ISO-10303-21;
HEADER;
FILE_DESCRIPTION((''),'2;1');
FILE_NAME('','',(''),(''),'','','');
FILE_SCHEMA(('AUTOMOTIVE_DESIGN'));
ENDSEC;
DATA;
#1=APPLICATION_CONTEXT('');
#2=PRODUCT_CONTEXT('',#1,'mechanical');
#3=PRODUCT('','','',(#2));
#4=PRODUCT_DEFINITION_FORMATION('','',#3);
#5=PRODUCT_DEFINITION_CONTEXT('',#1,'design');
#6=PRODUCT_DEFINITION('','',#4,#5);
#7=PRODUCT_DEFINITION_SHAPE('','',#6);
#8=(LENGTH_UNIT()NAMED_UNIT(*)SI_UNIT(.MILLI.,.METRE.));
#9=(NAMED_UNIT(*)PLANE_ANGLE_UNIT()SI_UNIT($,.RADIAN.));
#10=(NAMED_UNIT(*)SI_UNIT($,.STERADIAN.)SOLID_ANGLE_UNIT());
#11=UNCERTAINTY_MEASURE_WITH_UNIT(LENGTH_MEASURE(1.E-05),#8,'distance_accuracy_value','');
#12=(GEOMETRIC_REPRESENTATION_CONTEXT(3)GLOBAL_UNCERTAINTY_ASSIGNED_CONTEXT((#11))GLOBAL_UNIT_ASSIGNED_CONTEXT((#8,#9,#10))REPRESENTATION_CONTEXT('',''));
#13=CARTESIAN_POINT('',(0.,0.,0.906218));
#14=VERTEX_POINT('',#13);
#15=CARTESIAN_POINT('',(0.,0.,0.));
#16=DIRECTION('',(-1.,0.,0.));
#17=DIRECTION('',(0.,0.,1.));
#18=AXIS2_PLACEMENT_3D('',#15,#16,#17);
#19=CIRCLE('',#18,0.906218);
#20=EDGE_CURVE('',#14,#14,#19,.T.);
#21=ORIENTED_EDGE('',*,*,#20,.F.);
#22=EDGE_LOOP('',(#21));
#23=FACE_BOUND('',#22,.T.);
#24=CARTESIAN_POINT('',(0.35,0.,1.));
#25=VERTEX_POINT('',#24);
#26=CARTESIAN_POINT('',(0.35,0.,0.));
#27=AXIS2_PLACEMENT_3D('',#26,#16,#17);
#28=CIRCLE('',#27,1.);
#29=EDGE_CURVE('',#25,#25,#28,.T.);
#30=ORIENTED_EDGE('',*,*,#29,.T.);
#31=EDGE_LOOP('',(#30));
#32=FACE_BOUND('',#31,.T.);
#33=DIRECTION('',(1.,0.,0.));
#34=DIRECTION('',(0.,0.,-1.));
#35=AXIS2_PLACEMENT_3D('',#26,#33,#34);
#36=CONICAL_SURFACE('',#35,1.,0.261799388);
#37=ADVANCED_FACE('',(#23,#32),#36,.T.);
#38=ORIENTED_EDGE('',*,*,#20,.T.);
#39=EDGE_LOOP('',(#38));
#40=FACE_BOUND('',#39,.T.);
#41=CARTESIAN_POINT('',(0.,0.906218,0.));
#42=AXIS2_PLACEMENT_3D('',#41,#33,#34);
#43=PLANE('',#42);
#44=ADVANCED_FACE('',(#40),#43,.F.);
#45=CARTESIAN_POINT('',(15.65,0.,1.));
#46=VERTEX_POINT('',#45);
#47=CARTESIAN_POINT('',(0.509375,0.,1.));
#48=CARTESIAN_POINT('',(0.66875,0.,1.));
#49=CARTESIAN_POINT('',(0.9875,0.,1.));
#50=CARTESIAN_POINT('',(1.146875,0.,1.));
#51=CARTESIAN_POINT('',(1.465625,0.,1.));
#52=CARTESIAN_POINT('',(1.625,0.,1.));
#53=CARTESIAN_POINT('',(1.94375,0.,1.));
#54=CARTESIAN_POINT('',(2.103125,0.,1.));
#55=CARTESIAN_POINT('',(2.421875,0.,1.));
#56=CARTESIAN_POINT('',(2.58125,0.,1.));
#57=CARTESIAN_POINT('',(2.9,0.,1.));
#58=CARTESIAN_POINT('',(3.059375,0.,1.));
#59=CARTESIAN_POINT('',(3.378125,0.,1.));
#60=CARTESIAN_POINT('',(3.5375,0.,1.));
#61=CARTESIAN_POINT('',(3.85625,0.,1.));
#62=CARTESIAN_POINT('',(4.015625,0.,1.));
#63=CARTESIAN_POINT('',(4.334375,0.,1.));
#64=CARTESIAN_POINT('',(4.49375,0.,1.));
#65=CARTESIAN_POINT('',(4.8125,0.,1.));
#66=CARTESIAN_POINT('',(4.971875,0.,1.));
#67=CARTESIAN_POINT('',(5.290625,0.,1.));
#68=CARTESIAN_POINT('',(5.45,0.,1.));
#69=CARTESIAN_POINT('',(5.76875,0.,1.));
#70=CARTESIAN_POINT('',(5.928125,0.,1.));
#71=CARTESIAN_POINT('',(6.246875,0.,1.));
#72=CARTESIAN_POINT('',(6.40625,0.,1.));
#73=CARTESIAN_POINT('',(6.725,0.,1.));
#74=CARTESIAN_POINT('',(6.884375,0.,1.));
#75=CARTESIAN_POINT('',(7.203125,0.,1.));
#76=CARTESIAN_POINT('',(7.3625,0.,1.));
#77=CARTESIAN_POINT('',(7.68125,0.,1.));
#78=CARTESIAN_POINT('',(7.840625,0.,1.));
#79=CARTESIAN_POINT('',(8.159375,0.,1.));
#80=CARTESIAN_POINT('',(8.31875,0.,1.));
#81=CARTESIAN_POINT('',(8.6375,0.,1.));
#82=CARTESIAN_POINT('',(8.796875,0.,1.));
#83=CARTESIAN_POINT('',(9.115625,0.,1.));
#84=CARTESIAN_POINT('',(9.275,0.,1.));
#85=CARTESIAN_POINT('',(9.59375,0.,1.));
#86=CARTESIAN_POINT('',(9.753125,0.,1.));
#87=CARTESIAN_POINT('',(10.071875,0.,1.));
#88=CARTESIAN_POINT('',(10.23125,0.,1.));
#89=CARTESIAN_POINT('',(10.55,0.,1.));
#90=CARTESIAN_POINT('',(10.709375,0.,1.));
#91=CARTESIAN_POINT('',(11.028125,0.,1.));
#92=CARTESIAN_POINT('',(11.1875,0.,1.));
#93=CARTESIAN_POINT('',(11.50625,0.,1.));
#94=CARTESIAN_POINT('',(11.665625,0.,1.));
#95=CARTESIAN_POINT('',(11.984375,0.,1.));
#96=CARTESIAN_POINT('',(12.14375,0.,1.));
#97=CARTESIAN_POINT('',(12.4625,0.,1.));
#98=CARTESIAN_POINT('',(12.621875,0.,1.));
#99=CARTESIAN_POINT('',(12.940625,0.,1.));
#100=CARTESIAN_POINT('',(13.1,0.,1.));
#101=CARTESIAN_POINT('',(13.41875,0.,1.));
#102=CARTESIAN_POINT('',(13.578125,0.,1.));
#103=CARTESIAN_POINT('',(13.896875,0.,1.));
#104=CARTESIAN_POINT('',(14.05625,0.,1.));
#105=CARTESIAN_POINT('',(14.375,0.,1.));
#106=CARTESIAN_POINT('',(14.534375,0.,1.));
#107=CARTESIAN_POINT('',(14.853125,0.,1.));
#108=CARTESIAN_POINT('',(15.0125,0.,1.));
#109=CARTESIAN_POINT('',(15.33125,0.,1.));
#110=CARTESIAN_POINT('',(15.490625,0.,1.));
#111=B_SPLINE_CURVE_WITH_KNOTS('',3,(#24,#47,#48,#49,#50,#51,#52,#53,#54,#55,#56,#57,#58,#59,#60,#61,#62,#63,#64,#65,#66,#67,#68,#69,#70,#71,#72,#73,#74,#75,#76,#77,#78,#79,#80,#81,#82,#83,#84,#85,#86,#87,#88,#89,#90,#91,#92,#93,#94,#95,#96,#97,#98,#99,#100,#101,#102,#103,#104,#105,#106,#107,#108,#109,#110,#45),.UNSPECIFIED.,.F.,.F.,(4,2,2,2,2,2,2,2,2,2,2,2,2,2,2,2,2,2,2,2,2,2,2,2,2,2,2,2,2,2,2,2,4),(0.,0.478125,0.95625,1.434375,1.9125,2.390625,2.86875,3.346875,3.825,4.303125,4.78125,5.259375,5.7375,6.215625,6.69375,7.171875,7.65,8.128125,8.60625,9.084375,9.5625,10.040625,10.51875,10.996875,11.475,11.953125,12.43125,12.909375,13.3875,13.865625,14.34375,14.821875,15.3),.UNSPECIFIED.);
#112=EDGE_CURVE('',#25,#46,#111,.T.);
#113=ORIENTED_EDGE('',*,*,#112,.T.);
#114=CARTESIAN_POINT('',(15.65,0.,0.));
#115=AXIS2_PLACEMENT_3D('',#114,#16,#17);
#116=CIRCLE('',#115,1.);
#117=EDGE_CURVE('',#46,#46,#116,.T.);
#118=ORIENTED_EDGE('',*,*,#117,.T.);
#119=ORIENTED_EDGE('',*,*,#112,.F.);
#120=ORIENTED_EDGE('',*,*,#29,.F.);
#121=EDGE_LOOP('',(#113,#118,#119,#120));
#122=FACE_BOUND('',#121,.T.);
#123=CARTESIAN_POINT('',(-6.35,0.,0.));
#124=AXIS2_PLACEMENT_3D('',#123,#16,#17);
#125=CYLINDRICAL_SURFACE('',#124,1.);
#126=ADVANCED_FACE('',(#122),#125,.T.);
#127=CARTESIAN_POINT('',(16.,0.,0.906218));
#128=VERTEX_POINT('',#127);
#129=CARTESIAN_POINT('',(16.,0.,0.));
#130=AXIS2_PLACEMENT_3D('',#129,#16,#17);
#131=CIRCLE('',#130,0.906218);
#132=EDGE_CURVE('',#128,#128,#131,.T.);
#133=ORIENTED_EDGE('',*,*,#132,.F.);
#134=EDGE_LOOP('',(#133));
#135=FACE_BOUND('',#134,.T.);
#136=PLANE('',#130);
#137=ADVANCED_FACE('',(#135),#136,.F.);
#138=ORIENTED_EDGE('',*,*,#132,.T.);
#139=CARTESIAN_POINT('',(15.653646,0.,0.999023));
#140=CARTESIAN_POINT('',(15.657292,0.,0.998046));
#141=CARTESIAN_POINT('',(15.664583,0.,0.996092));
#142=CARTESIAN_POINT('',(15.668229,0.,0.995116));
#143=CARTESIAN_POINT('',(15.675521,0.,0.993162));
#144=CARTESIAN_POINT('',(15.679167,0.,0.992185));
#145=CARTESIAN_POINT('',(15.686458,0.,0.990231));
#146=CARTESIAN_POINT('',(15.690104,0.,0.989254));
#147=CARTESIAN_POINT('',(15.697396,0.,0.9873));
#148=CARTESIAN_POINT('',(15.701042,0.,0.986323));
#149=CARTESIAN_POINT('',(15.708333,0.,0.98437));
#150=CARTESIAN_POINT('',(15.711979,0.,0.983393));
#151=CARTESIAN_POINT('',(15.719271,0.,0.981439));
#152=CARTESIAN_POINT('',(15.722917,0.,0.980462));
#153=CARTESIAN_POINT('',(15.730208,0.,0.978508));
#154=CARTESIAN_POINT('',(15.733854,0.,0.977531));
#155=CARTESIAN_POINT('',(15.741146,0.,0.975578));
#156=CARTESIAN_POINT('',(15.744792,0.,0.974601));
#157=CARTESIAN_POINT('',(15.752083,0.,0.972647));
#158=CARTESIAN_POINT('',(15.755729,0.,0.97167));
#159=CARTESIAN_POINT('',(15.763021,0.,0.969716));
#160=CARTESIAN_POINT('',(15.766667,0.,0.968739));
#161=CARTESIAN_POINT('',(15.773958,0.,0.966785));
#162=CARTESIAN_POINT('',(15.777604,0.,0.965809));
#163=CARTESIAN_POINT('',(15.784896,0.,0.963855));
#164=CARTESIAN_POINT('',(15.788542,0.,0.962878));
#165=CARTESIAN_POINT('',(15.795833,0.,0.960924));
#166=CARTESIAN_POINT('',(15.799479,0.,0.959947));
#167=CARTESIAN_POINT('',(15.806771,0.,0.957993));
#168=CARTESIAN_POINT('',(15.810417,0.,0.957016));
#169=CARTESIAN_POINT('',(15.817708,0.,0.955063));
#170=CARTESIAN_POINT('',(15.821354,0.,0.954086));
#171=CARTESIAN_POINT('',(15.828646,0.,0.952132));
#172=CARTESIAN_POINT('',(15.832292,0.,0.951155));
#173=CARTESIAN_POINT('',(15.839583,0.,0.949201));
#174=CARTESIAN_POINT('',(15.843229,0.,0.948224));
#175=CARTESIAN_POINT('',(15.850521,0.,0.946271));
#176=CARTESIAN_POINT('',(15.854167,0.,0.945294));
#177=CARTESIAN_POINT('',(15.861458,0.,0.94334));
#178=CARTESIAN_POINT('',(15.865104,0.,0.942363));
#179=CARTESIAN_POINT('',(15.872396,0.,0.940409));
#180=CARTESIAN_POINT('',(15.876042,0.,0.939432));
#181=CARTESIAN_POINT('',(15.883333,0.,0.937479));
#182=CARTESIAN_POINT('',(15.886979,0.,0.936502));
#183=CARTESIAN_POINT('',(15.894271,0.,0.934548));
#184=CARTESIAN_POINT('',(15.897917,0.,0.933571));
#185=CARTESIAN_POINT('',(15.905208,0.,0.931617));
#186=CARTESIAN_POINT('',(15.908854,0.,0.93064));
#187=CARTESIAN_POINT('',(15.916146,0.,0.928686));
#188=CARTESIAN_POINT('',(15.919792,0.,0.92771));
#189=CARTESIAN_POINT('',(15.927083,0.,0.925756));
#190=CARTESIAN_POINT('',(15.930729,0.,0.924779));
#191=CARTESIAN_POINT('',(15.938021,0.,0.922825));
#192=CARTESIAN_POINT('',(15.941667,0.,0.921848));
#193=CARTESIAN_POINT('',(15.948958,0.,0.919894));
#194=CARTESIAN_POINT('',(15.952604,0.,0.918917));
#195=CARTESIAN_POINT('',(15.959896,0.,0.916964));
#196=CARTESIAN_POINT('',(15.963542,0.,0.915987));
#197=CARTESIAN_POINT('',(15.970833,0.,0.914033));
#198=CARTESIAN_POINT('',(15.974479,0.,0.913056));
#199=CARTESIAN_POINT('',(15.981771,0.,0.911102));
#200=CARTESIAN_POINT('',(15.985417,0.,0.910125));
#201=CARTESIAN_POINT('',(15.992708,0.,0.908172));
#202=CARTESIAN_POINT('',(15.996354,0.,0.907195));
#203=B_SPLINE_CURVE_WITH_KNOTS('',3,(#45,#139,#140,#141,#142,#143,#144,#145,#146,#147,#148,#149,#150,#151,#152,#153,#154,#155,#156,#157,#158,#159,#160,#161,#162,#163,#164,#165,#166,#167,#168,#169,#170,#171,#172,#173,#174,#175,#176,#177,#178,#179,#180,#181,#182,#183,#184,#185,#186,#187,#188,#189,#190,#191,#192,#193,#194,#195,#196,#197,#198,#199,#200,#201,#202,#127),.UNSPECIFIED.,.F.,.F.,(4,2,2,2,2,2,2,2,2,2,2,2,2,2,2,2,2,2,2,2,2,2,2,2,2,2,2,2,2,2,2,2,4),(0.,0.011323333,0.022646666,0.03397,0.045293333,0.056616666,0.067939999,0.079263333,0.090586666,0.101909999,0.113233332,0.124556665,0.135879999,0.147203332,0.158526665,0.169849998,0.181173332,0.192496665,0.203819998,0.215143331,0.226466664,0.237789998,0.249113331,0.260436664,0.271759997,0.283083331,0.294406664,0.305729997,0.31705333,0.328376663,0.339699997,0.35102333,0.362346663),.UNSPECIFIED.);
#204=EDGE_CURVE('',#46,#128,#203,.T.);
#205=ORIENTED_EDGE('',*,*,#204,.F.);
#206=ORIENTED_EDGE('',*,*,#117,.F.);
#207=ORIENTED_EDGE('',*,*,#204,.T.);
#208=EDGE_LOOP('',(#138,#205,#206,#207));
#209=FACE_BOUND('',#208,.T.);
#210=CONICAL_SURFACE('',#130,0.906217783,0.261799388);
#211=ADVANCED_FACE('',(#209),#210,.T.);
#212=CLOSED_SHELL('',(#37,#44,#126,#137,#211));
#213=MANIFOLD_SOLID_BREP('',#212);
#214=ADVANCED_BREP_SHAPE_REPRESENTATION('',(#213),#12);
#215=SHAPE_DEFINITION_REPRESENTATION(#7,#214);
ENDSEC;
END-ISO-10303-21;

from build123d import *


with BuildPart() as part:
    # Sketch1 → Base-Revolve (revolve)
    with BuildSketch(Plane.XY, mode=Mode.PRIVATE) as base_revolve_sk:
        Polygon((0, 0), (16, 0), (16, 0.906217783), (15.65, 1), (0.35, 1), (0, 0.906217783), align=None)
    revolve(base_revolve_sk.sketch.rotate(Axis((-6.35, 0, 0), (1, 0, 0)), 90), axis=Axis((-6.35, 0, 0), (1, 0, 0)))


solid = part.part
